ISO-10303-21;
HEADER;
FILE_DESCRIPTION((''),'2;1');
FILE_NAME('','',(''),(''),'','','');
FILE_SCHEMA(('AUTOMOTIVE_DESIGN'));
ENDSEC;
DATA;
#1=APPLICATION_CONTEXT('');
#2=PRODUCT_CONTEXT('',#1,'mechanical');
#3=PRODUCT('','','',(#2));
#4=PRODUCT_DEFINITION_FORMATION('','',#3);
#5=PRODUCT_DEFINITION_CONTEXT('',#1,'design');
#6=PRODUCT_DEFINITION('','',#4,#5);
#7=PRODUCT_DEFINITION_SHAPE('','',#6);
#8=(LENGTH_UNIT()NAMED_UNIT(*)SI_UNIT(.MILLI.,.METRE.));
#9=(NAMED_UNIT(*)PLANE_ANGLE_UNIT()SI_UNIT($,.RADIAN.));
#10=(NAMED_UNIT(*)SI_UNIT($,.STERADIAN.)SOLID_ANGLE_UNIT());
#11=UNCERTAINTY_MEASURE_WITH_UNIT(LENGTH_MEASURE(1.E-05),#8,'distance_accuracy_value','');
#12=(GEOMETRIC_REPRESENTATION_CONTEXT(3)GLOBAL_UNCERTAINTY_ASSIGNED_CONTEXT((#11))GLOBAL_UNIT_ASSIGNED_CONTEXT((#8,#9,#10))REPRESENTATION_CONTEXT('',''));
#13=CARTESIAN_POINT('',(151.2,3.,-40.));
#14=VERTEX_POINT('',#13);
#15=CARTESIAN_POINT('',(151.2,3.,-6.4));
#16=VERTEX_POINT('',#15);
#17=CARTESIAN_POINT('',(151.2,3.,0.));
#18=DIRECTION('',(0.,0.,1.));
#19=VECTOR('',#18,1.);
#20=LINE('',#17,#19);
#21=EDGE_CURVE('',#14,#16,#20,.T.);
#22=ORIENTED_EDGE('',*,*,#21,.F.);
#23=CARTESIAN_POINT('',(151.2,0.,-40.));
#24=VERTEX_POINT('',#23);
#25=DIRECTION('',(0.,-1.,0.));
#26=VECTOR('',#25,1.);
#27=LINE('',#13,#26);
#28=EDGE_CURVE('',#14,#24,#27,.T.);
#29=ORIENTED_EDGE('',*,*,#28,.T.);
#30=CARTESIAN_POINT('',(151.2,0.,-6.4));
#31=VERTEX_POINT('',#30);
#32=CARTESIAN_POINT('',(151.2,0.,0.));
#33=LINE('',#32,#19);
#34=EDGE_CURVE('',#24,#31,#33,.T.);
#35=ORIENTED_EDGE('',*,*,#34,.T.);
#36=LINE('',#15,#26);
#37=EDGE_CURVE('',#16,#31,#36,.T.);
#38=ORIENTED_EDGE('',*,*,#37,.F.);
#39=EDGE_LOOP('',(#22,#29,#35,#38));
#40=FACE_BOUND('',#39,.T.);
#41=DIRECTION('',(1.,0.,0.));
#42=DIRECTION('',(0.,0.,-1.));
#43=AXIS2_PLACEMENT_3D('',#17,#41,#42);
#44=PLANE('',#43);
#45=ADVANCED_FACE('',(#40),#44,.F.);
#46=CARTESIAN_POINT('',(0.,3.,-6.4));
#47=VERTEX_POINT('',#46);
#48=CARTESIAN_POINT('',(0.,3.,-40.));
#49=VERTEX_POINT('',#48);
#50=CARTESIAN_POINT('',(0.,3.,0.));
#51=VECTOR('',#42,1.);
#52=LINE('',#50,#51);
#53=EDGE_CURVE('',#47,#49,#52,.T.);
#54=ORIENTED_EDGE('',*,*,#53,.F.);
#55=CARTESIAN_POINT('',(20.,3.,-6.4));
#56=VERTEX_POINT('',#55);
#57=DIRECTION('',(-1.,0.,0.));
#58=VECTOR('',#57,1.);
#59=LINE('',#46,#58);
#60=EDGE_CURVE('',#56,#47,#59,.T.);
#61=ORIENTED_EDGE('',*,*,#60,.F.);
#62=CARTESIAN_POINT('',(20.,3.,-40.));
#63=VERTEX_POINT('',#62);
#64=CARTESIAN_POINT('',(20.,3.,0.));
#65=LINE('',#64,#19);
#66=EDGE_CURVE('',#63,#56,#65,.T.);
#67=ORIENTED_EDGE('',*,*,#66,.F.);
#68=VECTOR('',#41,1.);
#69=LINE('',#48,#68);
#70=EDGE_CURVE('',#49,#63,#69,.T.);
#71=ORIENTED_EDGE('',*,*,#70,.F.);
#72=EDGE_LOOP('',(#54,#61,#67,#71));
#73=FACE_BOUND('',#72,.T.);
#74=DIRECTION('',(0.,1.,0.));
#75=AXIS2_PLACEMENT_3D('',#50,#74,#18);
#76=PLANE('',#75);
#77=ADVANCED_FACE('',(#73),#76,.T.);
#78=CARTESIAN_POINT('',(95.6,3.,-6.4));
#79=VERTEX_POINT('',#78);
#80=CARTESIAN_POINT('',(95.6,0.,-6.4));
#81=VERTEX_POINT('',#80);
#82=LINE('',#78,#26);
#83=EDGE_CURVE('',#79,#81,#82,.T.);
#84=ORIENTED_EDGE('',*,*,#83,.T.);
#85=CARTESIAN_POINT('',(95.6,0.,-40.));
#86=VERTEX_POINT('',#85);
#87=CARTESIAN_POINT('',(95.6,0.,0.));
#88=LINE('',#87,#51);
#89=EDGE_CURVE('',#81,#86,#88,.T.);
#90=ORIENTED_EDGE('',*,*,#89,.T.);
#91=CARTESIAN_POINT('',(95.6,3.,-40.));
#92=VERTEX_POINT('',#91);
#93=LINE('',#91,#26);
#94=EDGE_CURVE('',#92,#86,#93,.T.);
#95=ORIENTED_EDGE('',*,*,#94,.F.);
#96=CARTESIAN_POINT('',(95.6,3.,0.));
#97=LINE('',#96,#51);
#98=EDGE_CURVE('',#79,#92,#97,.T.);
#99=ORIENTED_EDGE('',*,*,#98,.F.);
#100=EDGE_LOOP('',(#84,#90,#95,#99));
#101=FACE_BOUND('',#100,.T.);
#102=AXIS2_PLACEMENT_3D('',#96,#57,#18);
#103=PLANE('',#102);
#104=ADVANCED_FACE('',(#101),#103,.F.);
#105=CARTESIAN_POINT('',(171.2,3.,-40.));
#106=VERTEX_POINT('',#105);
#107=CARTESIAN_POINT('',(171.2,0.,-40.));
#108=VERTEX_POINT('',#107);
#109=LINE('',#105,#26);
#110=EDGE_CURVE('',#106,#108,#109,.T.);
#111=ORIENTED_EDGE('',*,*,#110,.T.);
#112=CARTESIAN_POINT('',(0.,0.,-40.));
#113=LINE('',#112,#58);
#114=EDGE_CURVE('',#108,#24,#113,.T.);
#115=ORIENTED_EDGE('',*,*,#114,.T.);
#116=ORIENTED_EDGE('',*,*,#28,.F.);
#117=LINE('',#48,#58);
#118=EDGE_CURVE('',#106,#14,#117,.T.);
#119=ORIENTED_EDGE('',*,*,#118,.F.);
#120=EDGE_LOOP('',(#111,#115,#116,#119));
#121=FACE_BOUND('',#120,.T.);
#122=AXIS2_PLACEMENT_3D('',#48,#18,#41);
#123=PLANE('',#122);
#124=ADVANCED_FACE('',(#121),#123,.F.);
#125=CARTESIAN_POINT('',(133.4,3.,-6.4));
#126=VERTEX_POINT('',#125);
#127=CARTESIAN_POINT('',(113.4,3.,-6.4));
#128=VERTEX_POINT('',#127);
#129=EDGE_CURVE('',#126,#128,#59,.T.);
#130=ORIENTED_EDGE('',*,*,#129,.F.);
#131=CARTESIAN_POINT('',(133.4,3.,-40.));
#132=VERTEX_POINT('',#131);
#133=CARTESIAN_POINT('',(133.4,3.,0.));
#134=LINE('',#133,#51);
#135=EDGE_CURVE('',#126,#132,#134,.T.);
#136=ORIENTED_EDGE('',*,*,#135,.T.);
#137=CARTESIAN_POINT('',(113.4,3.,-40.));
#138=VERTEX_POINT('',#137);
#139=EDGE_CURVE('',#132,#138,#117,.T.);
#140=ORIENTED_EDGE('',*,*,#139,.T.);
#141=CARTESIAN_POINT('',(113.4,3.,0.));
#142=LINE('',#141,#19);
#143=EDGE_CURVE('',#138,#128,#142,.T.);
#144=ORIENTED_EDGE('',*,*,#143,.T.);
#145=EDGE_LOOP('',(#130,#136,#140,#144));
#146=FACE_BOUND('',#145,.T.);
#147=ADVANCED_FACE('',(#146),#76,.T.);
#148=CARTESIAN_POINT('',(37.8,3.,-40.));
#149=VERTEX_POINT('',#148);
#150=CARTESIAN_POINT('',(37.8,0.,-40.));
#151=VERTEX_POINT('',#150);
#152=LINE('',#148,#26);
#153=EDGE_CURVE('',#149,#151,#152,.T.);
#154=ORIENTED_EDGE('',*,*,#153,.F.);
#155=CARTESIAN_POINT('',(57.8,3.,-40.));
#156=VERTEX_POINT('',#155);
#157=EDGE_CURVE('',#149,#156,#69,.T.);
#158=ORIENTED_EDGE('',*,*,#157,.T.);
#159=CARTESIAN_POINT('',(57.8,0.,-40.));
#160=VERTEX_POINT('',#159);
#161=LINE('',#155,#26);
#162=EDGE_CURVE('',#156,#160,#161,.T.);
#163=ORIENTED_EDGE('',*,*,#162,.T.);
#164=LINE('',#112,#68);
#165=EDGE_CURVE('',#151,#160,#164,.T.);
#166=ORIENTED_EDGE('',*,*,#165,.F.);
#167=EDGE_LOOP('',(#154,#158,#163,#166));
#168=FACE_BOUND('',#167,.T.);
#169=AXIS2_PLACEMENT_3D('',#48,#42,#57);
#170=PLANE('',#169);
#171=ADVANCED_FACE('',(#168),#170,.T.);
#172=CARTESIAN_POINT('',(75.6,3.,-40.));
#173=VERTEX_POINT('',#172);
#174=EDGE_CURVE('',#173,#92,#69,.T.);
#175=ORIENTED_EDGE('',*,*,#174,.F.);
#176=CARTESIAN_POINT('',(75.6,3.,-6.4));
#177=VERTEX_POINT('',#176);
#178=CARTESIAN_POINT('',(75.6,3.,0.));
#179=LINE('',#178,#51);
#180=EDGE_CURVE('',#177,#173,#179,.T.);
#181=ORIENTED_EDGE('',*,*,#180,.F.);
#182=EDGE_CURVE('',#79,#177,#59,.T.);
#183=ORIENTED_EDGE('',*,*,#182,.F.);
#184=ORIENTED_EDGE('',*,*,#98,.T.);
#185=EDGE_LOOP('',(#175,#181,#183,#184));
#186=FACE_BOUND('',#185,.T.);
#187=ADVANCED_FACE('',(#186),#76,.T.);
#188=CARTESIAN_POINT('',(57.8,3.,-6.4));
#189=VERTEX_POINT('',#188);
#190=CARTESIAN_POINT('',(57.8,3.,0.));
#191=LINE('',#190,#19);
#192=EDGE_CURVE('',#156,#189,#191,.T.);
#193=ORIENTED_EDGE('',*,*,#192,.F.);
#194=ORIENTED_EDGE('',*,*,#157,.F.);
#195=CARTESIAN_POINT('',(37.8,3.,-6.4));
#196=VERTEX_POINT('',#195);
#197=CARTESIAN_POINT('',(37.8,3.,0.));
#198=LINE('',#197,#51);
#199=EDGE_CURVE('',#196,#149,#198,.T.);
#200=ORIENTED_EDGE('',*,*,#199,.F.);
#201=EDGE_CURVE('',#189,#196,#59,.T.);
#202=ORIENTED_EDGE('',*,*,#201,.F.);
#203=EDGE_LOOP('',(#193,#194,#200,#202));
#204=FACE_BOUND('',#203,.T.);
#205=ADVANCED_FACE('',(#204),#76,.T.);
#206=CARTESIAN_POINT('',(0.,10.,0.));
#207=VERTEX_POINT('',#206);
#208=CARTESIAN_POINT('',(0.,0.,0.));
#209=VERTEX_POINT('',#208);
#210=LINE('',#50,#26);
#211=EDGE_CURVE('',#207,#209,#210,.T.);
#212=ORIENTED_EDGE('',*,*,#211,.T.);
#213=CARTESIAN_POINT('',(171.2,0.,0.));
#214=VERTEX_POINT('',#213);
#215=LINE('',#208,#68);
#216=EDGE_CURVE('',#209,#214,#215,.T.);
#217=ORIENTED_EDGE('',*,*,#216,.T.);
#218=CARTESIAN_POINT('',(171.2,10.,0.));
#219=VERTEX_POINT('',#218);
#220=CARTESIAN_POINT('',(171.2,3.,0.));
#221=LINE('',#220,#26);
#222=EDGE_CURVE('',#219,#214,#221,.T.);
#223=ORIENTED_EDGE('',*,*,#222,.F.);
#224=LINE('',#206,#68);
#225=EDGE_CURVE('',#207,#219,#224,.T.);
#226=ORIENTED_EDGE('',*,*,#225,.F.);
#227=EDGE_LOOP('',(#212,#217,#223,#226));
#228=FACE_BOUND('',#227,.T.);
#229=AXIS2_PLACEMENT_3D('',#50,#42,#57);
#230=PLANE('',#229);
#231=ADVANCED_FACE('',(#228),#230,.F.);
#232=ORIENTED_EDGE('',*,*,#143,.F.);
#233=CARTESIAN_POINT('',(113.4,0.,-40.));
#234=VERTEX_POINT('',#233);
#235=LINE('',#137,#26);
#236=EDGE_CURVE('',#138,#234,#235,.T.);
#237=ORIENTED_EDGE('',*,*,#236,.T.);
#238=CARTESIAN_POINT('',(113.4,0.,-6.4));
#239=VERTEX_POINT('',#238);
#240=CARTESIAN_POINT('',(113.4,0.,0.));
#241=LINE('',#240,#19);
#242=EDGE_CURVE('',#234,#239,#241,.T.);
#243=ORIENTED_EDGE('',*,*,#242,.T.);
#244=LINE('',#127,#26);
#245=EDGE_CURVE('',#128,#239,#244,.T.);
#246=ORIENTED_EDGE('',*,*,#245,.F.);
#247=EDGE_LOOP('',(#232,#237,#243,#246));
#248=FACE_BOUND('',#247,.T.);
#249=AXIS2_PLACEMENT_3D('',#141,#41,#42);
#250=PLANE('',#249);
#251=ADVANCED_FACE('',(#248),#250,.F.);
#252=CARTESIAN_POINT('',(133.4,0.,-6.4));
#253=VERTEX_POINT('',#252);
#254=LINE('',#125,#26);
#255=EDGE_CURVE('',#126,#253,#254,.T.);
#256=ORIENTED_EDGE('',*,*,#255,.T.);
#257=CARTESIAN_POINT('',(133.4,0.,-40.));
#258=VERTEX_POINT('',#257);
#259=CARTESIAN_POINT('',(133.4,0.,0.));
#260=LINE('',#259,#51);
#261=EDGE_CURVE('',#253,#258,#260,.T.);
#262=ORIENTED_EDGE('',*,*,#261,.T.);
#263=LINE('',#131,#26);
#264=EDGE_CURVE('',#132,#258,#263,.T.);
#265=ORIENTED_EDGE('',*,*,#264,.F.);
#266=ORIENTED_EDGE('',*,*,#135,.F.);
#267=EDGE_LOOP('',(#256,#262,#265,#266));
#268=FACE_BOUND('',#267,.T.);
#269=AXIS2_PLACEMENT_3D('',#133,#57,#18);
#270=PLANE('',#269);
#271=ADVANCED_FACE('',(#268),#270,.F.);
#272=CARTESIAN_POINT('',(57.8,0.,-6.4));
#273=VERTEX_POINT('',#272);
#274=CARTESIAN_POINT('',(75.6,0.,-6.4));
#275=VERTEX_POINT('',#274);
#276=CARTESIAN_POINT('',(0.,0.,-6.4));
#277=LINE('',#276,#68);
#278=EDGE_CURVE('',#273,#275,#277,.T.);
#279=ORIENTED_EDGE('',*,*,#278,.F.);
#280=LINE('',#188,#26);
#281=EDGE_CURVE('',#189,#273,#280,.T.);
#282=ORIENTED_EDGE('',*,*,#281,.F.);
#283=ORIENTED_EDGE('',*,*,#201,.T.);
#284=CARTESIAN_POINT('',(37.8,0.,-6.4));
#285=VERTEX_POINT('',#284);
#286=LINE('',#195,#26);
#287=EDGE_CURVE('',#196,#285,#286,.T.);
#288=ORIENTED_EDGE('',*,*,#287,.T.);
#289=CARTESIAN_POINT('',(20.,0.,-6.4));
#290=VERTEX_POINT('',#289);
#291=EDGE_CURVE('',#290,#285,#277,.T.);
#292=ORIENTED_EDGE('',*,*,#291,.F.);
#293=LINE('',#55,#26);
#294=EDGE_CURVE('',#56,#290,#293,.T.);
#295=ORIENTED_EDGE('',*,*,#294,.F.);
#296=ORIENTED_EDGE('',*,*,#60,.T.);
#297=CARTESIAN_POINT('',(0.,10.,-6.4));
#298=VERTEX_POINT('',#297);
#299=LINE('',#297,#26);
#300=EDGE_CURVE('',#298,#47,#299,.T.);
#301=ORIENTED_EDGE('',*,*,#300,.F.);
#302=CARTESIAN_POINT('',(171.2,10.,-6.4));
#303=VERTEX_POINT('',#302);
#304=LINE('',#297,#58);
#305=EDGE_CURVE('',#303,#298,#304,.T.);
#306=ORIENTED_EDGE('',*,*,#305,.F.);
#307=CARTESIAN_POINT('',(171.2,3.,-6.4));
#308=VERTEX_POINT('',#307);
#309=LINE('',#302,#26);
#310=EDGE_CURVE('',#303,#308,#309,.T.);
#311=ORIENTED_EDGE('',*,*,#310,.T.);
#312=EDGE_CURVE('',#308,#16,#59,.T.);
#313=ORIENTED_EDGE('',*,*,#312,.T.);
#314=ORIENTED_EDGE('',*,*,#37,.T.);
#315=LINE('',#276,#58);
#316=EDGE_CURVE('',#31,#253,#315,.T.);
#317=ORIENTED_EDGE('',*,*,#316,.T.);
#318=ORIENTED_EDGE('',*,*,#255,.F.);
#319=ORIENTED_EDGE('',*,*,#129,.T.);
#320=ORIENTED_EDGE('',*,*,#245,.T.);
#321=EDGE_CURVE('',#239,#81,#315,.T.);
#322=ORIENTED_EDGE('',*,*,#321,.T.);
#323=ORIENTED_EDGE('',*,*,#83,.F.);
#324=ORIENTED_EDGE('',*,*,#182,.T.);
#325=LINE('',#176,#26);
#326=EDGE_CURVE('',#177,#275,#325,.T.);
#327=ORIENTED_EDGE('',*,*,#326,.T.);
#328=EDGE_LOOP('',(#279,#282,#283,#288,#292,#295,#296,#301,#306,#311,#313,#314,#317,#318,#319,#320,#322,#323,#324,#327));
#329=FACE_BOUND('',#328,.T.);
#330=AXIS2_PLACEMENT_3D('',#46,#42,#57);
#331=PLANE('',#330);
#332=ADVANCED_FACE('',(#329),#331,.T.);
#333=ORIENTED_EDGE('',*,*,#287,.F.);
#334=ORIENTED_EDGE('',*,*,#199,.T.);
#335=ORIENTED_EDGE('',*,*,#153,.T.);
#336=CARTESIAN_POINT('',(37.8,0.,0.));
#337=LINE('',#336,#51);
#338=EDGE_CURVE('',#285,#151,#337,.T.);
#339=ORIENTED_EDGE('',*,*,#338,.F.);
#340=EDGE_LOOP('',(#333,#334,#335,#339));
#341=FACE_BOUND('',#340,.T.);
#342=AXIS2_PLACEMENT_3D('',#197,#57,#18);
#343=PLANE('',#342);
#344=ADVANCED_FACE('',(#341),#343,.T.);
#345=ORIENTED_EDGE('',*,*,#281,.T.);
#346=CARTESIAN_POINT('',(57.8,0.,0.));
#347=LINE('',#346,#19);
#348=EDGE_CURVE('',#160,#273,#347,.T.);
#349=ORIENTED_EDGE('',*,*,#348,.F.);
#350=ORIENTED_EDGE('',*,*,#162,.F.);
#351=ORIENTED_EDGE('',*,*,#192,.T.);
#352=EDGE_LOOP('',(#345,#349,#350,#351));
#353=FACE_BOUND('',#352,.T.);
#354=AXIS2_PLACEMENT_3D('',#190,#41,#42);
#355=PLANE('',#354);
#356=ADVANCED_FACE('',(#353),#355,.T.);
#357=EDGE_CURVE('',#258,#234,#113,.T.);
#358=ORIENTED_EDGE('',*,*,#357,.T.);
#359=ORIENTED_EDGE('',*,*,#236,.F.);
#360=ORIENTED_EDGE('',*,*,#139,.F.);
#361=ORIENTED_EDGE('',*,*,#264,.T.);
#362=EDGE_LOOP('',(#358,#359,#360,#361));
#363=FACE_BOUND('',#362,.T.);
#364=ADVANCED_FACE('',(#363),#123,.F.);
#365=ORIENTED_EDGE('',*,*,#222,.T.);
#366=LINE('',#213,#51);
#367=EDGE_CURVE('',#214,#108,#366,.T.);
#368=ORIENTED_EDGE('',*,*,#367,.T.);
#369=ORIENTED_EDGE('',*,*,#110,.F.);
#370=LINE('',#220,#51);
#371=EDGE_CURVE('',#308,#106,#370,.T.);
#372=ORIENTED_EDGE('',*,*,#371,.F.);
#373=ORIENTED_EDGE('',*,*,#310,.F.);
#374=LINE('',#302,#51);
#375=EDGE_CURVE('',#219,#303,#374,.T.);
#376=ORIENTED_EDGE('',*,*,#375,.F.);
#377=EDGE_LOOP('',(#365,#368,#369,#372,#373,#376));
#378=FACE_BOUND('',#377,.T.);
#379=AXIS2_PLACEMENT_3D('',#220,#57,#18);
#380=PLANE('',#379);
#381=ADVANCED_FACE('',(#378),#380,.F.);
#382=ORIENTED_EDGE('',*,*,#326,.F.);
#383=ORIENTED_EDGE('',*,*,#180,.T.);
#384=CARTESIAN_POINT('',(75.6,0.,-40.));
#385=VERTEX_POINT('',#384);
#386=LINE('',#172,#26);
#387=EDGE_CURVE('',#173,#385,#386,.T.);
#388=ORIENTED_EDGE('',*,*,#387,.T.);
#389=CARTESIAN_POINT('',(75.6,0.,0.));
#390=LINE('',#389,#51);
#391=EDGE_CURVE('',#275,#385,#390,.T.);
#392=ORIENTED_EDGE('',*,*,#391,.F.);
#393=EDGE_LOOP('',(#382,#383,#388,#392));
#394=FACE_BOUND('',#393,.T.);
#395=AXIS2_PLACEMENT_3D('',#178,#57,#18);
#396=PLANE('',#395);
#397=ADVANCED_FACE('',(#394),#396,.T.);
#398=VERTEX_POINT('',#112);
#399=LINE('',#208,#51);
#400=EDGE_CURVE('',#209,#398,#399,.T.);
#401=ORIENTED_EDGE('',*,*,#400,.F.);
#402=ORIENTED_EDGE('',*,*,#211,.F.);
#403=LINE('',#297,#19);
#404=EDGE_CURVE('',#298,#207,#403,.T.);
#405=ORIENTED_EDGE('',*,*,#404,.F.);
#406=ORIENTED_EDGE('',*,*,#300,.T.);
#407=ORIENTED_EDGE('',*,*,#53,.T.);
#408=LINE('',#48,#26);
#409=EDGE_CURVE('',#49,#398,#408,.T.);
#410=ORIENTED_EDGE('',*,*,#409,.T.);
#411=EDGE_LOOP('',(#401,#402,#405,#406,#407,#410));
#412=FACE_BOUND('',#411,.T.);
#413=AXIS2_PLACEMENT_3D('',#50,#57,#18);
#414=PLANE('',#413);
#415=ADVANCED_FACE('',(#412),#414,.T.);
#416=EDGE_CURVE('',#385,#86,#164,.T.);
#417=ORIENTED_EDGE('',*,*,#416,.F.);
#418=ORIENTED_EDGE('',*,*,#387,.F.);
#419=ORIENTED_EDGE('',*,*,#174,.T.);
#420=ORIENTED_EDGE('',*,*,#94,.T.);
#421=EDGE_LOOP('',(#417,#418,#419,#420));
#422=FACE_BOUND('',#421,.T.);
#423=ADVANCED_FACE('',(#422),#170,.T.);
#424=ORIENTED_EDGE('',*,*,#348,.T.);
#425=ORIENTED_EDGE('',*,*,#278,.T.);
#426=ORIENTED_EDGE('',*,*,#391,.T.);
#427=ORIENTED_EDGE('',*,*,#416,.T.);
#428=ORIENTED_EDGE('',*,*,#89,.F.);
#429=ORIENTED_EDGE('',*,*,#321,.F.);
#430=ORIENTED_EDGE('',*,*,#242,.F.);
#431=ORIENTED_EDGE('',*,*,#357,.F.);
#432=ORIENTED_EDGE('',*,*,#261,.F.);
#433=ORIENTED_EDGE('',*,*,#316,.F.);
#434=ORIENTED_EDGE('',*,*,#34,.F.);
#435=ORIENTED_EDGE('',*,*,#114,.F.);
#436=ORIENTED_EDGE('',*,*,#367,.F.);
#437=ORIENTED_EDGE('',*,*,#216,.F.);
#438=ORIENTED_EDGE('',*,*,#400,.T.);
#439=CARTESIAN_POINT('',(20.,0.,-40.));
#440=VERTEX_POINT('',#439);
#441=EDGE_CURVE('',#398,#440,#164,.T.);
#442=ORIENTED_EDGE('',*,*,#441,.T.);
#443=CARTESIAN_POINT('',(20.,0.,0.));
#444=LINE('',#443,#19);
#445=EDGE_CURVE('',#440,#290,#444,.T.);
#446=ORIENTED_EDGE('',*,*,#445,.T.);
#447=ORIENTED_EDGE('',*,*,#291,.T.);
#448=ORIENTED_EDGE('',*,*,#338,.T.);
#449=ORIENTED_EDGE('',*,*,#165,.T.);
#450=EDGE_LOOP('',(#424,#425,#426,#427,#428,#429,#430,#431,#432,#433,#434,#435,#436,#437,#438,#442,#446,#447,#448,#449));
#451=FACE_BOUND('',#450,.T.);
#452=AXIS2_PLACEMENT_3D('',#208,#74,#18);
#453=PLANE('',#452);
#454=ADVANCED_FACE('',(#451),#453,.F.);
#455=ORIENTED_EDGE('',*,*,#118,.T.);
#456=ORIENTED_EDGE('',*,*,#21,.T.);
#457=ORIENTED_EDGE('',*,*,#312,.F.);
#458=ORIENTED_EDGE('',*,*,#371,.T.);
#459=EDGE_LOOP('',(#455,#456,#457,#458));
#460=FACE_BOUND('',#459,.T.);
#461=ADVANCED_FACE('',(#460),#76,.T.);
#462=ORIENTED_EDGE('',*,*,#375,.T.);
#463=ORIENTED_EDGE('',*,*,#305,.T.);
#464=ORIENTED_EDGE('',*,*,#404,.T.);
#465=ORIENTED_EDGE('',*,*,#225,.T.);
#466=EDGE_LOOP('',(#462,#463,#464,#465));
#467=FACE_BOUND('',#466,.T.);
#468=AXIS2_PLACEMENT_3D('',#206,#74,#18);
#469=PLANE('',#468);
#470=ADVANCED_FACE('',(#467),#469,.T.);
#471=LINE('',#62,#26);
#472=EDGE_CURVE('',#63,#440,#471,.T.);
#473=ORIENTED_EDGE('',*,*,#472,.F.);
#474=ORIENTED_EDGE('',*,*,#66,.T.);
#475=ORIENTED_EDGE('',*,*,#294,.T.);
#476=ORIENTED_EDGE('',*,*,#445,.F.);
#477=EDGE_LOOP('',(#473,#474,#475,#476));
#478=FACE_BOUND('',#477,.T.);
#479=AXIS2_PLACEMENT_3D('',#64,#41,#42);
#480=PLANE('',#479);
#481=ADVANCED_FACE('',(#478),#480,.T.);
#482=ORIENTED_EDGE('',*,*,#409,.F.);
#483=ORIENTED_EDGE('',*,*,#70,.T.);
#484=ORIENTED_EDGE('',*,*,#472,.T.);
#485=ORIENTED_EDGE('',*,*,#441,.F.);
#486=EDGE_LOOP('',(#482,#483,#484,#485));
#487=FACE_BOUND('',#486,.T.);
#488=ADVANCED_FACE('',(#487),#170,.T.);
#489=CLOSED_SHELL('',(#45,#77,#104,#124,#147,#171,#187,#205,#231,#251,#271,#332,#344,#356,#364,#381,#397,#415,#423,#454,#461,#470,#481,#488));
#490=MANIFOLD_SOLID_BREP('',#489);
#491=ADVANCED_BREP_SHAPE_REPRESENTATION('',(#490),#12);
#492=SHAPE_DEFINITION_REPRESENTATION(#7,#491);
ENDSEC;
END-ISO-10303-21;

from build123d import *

# Parameters (mm, degrees)
SKIZZE1_W                       = 20
SKIZZE1_H                       = 33.6
AUFSATZ_LINEAR_AUSTRAGEN1_DEPTH = 3
SKIZZE3_W                       = 171.2
SKIZZE3_H                       = 6.4
AUFSATZ_LINEAR_AUSTRAGEN2_DEPTH = 7


with BuildPart() as part:
    # Skizze1 → Aufsatz-Linear austragen1 (new body)
    with BuildSketch(Plane(origin=(0, 0, 0), x_dir=(1, 0, 0), z_dir=(0, 1, 0))):
        with Locations((10, 23.2)):
            Rectangle(SKIZZE1_W, SKIZZE1_H)
        Polygon((0, 6.4), (0, 0), (171.2, 0), (171.2, 40), (151.2, 40), (151.2, 6.4), (133.4, 6.4), (133.4, 40), (113.4, 40), (113.4, 6.4), (95.6, 6.4), (95.6, 40), (75.6, 40), (75.6, 6.4), (57.8, 6.4), (57.8, 40), (37.8, 40), (37.8, 6.4), (20, 6.4), align=None)
    extrude(amount=AUFSATZ_LINEAR_AUSTRAGEN1_DEPTH)

    # Skizze3 → Aufsatz-Linear austragen2 (add)
    with BuildSketch(Plane(origin=(0, 3, 0), x_dir=(1, 0, 0), z_dir=(0, 1, 0))):
        with Locations((85.6, 3.2)):
            Rectangle(SKIZZE3_W, SKIZZE3_H)
    extrude(amount=AUFSATZ_LINEAR_AUSTRAGEN2_DEPTH)


solid = part.part
